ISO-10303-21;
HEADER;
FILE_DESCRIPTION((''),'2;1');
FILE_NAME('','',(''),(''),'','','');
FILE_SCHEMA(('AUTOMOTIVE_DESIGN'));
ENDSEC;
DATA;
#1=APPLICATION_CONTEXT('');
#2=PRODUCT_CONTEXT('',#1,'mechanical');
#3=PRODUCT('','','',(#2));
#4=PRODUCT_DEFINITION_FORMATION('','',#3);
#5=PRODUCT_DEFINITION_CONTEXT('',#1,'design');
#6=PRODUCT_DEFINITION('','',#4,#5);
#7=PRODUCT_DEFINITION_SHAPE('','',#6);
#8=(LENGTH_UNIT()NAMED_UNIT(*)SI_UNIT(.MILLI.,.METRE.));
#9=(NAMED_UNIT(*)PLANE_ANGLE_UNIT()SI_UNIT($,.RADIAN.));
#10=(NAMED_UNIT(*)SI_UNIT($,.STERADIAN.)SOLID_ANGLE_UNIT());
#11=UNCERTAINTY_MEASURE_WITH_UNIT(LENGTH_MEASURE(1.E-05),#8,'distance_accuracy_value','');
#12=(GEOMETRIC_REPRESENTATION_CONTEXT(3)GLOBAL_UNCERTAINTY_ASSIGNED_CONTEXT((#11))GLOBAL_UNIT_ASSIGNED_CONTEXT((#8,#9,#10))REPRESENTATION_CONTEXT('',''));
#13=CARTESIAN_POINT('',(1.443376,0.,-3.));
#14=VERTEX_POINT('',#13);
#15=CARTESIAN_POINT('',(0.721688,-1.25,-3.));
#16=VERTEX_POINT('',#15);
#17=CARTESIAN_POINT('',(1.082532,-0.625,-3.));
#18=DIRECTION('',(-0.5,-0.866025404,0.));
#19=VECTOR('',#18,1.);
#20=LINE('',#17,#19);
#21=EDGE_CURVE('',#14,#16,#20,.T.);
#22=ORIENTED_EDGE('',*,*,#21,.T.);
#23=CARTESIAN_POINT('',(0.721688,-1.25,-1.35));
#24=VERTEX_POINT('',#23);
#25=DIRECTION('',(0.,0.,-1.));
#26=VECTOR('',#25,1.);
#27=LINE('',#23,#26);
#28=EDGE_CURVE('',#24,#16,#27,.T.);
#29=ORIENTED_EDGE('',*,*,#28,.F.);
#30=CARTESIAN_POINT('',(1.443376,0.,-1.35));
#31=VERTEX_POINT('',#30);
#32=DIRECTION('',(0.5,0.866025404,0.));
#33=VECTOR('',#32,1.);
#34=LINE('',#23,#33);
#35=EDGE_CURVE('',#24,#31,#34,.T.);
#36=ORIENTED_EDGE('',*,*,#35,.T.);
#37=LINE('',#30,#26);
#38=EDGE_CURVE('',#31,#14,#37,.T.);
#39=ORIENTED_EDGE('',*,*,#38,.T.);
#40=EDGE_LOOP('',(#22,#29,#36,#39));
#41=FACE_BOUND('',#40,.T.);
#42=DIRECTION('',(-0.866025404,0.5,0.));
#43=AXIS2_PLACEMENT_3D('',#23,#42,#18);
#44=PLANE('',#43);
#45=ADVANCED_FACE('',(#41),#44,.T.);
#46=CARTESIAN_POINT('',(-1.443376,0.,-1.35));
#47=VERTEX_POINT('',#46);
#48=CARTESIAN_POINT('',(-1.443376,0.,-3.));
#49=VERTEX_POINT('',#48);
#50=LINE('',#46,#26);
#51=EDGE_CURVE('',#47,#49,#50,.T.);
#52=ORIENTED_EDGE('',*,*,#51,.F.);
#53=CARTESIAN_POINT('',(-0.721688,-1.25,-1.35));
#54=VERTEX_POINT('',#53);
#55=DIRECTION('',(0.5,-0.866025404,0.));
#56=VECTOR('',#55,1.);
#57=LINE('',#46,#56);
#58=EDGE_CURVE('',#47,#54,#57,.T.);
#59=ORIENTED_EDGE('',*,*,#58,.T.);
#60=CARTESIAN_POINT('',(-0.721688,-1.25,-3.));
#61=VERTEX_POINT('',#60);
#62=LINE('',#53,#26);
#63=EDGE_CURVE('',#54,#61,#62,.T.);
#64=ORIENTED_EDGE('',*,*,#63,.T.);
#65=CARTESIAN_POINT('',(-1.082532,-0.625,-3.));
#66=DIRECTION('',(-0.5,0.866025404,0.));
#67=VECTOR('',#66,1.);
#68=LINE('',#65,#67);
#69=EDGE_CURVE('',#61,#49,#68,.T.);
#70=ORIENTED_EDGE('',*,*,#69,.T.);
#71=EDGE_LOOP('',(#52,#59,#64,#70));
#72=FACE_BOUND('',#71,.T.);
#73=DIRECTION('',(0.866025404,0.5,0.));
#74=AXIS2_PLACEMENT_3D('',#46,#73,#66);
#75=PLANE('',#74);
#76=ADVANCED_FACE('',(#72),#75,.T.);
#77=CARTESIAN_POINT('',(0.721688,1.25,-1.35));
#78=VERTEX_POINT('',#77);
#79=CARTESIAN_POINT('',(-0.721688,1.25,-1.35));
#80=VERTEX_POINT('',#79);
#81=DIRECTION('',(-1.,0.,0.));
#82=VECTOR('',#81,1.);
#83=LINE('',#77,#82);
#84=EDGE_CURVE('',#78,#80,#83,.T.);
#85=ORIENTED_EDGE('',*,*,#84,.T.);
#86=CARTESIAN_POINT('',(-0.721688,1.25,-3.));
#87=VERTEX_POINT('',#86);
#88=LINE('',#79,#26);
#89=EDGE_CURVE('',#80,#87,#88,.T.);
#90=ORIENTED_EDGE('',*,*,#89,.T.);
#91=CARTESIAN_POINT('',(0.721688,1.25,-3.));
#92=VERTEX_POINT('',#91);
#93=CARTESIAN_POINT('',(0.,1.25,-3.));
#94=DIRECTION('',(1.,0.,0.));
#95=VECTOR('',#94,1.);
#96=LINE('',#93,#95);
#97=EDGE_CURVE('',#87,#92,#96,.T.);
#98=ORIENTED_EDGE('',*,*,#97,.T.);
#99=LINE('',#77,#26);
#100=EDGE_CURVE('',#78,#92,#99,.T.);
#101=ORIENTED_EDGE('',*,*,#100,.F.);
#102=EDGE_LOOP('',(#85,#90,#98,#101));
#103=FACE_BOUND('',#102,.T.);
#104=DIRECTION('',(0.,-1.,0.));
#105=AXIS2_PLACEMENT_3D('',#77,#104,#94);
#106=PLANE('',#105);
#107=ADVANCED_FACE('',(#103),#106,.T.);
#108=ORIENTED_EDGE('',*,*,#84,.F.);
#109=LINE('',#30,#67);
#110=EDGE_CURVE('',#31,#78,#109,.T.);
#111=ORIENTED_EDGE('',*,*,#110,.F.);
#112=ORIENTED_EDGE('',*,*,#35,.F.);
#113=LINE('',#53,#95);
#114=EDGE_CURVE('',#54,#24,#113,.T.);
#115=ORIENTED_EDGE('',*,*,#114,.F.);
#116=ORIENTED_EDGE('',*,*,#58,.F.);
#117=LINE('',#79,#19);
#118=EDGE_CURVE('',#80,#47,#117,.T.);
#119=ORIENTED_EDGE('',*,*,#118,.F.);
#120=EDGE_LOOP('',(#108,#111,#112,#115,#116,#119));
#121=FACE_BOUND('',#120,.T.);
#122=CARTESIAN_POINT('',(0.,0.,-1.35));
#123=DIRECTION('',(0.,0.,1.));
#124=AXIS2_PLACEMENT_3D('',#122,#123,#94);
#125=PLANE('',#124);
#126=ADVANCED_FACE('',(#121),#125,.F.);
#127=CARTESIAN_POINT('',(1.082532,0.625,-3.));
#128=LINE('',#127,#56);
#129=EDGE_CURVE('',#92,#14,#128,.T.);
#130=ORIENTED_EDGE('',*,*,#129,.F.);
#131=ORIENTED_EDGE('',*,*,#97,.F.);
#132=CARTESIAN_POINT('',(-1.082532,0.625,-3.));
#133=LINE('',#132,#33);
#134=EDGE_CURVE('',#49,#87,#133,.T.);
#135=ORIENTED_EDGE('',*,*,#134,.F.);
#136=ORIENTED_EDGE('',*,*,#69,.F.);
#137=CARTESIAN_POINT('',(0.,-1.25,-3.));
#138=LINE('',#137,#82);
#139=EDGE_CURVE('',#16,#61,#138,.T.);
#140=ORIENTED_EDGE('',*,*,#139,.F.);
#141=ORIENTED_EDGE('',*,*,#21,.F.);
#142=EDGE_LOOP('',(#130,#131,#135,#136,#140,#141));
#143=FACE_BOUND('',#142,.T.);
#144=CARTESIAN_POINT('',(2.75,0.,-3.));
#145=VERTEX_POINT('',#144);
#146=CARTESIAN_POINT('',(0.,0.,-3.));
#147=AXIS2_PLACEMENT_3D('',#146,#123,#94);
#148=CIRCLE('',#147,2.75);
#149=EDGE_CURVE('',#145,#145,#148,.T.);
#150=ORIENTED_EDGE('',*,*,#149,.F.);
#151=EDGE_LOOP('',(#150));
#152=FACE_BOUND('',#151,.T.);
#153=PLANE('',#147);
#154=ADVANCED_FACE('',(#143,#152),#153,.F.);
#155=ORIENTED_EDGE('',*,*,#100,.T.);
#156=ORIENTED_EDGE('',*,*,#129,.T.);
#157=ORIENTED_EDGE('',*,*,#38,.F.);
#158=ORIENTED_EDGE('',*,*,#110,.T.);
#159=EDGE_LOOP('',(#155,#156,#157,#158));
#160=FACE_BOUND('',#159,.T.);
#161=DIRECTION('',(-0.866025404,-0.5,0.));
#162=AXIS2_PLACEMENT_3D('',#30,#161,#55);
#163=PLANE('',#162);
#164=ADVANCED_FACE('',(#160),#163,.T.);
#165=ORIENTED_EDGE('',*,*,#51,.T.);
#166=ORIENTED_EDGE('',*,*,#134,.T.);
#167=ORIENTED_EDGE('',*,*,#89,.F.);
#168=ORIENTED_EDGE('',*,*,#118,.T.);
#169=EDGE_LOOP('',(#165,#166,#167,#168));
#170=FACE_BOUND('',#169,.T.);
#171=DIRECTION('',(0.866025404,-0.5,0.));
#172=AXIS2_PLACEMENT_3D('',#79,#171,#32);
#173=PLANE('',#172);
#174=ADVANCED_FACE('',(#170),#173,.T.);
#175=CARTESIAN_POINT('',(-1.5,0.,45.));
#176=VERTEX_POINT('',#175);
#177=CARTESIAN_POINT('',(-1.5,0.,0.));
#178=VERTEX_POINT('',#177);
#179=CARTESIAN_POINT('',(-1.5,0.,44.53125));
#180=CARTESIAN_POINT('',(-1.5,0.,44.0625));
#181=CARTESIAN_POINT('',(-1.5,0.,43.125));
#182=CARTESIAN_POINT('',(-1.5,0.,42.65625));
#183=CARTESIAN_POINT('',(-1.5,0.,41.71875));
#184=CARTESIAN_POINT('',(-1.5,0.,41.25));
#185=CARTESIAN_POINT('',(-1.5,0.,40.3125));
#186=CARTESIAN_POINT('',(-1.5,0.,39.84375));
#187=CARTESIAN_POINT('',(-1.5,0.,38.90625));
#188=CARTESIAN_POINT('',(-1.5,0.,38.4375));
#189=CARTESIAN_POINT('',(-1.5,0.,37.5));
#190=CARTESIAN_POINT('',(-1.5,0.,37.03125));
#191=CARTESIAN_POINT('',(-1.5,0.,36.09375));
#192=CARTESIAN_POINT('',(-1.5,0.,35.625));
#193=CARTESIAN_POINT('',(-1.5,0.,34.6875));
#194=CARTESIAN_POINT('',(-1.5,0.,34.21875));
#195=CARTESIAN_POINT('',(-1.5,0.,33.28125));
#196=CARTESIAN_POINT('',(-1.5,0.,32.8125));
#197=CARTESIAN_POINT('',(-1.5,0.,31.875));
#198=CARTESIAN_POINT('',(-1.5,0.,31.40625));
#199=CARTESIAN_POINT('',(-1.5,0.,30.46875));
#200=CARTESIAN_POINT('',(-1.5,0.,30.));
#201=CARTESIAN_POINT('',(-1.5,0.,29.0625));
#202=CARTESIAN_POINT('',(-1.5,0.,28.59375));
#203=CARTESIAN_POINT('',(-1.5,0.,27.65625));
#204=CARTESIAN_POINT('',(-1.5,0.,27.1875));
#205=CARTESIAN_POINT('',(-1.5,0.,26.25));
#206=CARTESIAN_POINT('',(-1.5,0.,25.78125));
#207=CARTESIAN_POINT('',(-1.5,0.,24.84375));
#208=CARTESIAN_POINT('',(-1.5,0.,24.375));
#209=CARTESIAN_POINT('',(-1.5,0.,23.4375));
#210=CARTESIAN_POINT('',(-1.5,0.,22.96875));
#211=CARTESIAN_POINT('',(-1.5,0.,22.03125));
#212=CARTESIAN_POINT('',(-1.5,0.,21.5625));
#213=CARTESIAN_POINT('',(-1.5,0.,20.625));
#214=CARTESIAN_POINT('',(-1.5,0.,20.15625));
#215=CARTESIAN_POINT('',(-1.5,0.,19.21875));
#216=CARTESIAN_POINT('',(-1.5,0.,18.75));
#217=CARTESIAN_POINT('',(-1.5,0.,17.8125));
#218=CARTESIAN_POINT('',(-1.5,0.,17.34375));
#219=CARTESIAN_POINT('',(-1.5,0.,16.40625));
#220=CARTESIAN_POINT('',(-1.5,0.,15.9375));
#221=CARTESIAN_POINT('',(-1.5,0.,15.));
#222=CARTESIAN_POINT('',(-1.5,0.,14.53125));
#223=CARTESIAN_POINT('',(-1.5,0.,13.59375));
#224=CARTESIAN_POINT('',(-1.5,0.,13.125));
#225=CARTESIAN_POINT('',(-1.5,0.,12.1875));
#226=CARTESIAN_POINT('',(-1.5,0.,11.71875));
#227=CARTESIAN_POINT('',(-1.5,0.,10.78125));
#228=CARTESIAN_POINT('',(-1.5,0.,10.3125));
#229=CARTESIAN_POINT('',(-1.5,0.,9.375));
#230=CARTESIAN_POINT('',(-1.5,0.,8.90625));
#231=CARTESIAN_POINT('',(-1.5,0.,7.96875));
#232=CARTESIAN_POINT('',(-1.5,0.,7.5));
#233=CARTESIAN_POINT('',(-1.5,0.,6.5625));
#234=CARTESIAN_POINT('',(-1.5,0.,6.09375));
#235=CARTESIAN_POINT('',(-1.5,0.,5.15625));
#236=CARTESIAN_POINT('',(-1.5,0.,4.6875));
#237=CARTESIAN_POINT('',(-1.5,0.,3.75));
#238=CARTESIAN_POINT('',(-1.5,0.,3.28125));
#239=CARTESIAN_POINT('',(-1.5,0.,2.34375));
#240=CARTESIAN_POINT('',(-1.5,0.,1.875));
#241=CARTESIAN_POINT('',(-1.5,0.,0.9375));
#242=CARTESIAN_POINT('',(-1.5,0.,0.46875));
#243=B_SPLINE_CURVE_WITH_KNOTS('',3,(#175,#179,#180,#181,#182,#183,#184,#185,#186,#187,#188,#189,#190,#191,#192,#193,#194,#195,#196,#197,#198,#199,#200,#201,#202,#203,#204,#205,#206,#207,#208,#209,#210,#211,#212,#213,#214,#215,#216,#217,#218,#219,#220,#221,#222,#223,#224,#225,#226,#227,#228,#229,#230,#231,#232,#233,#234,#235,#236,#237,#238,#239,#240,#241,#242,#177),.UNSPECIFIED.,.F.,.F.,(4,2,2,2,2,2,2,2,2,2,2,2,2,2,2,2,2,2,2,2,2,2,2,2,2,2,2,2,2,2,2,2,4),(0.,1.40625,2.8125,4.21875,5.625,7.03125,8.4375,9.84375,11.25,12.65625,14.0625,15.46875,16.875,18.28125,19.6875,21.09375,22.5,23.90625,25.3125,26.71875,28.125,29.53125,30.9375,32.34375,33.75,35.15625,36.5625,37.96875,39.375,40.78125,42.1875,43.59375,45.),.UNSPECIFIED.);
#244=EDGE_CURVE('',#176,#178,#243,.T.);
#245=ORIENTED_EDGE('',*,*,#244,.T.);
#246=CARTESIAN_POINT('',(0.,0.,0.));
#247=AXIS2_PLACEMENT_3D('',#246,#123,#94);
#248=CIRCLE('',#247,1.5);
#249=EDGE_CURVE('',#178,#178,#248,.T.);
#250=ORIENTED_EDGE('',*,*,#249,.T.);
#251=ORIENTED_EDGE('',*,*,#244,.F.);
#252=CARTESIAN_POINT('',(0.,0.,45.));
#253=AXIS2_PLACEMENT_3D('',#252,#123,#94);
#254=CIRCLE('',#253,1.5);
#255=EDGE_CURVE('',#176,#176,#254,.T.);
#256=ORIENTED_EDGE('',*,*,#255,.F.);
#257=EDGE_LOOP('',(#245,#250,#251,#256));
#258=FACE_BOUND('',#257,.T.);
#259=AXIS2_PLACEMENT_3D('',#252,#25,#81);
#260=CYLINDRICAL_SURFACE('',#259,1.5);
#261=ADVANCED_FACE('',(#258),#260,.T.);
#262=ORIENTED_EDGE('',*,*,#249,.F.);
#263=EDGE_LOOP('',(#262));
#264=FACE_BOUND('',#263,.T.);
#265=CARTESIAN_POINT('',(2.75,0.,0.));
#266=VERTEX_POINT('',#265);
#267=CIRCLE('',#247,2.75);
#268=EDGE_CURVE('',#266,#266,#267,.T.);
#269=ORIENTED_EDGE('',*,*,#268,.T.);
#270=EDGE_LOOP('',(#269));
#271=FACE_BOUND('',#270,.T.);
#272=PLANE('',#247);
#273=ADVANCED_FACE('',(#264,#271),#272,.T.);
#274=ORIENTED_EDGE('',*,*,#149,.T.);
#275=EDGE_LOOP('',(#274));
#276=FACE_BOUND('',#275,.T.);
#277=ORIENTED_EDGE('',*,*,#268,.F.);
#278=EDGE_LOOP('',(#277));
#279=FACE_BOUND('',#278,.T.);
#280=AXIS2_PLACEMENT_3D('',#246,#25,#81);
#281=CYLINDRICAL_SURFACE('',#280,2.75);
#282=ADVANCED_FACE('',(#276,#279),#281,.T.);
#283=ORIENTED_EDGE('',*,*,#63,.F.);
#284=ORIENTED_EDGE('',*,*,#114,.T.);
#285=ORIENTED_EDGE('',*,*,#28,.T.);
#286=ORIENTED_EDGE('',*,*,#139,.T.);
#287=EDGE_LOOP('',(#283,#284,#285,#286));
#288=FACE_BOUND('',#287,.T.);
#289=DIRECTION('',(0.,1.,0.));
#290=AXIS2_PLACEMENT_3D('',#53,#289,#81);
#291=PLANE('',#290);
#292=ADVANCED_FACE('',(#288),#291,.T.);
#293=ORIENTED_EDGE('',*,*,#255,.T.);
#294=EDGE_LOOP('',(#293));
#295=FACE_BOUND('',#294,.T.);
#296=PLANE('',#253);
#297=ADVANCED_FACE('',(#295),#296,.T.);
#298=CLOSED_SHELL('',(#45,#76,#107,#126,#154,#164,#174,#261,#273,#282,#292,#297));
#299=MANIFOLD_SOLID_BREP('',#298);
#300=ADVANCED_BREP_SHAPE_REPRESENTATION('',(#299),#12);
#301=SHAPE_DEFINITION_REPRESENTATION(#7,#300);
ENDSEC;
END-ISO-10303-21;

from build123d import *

# Parameters (mm, degrees)
F_01_START                = -3
S01_HEAD_R                = 2.75
F_01_HEAD_DEPTH           = 3
S02_NOMINAL_SHANK_R       = 1.5
F_02_NOMINAL_SHANK_DEPTH  = 45
F_03_START                = -3.1
F_03_HEX_KEY_SOCKET_DEPTH = 1.75


with BuildPart() as part:
    # S01 - Head → 01 - Head (new body)
    with BuildSketch(Plane.XY.offset(F_01_START)):
        Circle(S01_HEAD_R)
    extrude(amount=F_01_HEAD_DEPTH)

    # S02 - Nominal shank → 02 - Nominal shank (add)
    with BuildSketch(Plane.XY):
        with Locations(Location((0, 0, 0), (0, 0, 180))):
            Circle(S02_NOMINAL_SHANK_R)
    extrude(amount=F_02_NOMINAL_SHANK_DEPTH)

    # S03 - Hex key socket → 03 - Hex key socket (cut)
    with BuildSketch(Plane.XY.offset(F_03_START)):
        Polygon((1.443375673, 0), (0.721687836, 1.25), (-0.721687836, 1.25), (-1.443375673, 0), (-0.721687836, -1.25), (0.721687836, -1.25), align=None)
    extrude(amount=F_03_HEX_KEY_SOCKET_DEPTH, mode=Mode.SUBTRACT)


solid = part.part
